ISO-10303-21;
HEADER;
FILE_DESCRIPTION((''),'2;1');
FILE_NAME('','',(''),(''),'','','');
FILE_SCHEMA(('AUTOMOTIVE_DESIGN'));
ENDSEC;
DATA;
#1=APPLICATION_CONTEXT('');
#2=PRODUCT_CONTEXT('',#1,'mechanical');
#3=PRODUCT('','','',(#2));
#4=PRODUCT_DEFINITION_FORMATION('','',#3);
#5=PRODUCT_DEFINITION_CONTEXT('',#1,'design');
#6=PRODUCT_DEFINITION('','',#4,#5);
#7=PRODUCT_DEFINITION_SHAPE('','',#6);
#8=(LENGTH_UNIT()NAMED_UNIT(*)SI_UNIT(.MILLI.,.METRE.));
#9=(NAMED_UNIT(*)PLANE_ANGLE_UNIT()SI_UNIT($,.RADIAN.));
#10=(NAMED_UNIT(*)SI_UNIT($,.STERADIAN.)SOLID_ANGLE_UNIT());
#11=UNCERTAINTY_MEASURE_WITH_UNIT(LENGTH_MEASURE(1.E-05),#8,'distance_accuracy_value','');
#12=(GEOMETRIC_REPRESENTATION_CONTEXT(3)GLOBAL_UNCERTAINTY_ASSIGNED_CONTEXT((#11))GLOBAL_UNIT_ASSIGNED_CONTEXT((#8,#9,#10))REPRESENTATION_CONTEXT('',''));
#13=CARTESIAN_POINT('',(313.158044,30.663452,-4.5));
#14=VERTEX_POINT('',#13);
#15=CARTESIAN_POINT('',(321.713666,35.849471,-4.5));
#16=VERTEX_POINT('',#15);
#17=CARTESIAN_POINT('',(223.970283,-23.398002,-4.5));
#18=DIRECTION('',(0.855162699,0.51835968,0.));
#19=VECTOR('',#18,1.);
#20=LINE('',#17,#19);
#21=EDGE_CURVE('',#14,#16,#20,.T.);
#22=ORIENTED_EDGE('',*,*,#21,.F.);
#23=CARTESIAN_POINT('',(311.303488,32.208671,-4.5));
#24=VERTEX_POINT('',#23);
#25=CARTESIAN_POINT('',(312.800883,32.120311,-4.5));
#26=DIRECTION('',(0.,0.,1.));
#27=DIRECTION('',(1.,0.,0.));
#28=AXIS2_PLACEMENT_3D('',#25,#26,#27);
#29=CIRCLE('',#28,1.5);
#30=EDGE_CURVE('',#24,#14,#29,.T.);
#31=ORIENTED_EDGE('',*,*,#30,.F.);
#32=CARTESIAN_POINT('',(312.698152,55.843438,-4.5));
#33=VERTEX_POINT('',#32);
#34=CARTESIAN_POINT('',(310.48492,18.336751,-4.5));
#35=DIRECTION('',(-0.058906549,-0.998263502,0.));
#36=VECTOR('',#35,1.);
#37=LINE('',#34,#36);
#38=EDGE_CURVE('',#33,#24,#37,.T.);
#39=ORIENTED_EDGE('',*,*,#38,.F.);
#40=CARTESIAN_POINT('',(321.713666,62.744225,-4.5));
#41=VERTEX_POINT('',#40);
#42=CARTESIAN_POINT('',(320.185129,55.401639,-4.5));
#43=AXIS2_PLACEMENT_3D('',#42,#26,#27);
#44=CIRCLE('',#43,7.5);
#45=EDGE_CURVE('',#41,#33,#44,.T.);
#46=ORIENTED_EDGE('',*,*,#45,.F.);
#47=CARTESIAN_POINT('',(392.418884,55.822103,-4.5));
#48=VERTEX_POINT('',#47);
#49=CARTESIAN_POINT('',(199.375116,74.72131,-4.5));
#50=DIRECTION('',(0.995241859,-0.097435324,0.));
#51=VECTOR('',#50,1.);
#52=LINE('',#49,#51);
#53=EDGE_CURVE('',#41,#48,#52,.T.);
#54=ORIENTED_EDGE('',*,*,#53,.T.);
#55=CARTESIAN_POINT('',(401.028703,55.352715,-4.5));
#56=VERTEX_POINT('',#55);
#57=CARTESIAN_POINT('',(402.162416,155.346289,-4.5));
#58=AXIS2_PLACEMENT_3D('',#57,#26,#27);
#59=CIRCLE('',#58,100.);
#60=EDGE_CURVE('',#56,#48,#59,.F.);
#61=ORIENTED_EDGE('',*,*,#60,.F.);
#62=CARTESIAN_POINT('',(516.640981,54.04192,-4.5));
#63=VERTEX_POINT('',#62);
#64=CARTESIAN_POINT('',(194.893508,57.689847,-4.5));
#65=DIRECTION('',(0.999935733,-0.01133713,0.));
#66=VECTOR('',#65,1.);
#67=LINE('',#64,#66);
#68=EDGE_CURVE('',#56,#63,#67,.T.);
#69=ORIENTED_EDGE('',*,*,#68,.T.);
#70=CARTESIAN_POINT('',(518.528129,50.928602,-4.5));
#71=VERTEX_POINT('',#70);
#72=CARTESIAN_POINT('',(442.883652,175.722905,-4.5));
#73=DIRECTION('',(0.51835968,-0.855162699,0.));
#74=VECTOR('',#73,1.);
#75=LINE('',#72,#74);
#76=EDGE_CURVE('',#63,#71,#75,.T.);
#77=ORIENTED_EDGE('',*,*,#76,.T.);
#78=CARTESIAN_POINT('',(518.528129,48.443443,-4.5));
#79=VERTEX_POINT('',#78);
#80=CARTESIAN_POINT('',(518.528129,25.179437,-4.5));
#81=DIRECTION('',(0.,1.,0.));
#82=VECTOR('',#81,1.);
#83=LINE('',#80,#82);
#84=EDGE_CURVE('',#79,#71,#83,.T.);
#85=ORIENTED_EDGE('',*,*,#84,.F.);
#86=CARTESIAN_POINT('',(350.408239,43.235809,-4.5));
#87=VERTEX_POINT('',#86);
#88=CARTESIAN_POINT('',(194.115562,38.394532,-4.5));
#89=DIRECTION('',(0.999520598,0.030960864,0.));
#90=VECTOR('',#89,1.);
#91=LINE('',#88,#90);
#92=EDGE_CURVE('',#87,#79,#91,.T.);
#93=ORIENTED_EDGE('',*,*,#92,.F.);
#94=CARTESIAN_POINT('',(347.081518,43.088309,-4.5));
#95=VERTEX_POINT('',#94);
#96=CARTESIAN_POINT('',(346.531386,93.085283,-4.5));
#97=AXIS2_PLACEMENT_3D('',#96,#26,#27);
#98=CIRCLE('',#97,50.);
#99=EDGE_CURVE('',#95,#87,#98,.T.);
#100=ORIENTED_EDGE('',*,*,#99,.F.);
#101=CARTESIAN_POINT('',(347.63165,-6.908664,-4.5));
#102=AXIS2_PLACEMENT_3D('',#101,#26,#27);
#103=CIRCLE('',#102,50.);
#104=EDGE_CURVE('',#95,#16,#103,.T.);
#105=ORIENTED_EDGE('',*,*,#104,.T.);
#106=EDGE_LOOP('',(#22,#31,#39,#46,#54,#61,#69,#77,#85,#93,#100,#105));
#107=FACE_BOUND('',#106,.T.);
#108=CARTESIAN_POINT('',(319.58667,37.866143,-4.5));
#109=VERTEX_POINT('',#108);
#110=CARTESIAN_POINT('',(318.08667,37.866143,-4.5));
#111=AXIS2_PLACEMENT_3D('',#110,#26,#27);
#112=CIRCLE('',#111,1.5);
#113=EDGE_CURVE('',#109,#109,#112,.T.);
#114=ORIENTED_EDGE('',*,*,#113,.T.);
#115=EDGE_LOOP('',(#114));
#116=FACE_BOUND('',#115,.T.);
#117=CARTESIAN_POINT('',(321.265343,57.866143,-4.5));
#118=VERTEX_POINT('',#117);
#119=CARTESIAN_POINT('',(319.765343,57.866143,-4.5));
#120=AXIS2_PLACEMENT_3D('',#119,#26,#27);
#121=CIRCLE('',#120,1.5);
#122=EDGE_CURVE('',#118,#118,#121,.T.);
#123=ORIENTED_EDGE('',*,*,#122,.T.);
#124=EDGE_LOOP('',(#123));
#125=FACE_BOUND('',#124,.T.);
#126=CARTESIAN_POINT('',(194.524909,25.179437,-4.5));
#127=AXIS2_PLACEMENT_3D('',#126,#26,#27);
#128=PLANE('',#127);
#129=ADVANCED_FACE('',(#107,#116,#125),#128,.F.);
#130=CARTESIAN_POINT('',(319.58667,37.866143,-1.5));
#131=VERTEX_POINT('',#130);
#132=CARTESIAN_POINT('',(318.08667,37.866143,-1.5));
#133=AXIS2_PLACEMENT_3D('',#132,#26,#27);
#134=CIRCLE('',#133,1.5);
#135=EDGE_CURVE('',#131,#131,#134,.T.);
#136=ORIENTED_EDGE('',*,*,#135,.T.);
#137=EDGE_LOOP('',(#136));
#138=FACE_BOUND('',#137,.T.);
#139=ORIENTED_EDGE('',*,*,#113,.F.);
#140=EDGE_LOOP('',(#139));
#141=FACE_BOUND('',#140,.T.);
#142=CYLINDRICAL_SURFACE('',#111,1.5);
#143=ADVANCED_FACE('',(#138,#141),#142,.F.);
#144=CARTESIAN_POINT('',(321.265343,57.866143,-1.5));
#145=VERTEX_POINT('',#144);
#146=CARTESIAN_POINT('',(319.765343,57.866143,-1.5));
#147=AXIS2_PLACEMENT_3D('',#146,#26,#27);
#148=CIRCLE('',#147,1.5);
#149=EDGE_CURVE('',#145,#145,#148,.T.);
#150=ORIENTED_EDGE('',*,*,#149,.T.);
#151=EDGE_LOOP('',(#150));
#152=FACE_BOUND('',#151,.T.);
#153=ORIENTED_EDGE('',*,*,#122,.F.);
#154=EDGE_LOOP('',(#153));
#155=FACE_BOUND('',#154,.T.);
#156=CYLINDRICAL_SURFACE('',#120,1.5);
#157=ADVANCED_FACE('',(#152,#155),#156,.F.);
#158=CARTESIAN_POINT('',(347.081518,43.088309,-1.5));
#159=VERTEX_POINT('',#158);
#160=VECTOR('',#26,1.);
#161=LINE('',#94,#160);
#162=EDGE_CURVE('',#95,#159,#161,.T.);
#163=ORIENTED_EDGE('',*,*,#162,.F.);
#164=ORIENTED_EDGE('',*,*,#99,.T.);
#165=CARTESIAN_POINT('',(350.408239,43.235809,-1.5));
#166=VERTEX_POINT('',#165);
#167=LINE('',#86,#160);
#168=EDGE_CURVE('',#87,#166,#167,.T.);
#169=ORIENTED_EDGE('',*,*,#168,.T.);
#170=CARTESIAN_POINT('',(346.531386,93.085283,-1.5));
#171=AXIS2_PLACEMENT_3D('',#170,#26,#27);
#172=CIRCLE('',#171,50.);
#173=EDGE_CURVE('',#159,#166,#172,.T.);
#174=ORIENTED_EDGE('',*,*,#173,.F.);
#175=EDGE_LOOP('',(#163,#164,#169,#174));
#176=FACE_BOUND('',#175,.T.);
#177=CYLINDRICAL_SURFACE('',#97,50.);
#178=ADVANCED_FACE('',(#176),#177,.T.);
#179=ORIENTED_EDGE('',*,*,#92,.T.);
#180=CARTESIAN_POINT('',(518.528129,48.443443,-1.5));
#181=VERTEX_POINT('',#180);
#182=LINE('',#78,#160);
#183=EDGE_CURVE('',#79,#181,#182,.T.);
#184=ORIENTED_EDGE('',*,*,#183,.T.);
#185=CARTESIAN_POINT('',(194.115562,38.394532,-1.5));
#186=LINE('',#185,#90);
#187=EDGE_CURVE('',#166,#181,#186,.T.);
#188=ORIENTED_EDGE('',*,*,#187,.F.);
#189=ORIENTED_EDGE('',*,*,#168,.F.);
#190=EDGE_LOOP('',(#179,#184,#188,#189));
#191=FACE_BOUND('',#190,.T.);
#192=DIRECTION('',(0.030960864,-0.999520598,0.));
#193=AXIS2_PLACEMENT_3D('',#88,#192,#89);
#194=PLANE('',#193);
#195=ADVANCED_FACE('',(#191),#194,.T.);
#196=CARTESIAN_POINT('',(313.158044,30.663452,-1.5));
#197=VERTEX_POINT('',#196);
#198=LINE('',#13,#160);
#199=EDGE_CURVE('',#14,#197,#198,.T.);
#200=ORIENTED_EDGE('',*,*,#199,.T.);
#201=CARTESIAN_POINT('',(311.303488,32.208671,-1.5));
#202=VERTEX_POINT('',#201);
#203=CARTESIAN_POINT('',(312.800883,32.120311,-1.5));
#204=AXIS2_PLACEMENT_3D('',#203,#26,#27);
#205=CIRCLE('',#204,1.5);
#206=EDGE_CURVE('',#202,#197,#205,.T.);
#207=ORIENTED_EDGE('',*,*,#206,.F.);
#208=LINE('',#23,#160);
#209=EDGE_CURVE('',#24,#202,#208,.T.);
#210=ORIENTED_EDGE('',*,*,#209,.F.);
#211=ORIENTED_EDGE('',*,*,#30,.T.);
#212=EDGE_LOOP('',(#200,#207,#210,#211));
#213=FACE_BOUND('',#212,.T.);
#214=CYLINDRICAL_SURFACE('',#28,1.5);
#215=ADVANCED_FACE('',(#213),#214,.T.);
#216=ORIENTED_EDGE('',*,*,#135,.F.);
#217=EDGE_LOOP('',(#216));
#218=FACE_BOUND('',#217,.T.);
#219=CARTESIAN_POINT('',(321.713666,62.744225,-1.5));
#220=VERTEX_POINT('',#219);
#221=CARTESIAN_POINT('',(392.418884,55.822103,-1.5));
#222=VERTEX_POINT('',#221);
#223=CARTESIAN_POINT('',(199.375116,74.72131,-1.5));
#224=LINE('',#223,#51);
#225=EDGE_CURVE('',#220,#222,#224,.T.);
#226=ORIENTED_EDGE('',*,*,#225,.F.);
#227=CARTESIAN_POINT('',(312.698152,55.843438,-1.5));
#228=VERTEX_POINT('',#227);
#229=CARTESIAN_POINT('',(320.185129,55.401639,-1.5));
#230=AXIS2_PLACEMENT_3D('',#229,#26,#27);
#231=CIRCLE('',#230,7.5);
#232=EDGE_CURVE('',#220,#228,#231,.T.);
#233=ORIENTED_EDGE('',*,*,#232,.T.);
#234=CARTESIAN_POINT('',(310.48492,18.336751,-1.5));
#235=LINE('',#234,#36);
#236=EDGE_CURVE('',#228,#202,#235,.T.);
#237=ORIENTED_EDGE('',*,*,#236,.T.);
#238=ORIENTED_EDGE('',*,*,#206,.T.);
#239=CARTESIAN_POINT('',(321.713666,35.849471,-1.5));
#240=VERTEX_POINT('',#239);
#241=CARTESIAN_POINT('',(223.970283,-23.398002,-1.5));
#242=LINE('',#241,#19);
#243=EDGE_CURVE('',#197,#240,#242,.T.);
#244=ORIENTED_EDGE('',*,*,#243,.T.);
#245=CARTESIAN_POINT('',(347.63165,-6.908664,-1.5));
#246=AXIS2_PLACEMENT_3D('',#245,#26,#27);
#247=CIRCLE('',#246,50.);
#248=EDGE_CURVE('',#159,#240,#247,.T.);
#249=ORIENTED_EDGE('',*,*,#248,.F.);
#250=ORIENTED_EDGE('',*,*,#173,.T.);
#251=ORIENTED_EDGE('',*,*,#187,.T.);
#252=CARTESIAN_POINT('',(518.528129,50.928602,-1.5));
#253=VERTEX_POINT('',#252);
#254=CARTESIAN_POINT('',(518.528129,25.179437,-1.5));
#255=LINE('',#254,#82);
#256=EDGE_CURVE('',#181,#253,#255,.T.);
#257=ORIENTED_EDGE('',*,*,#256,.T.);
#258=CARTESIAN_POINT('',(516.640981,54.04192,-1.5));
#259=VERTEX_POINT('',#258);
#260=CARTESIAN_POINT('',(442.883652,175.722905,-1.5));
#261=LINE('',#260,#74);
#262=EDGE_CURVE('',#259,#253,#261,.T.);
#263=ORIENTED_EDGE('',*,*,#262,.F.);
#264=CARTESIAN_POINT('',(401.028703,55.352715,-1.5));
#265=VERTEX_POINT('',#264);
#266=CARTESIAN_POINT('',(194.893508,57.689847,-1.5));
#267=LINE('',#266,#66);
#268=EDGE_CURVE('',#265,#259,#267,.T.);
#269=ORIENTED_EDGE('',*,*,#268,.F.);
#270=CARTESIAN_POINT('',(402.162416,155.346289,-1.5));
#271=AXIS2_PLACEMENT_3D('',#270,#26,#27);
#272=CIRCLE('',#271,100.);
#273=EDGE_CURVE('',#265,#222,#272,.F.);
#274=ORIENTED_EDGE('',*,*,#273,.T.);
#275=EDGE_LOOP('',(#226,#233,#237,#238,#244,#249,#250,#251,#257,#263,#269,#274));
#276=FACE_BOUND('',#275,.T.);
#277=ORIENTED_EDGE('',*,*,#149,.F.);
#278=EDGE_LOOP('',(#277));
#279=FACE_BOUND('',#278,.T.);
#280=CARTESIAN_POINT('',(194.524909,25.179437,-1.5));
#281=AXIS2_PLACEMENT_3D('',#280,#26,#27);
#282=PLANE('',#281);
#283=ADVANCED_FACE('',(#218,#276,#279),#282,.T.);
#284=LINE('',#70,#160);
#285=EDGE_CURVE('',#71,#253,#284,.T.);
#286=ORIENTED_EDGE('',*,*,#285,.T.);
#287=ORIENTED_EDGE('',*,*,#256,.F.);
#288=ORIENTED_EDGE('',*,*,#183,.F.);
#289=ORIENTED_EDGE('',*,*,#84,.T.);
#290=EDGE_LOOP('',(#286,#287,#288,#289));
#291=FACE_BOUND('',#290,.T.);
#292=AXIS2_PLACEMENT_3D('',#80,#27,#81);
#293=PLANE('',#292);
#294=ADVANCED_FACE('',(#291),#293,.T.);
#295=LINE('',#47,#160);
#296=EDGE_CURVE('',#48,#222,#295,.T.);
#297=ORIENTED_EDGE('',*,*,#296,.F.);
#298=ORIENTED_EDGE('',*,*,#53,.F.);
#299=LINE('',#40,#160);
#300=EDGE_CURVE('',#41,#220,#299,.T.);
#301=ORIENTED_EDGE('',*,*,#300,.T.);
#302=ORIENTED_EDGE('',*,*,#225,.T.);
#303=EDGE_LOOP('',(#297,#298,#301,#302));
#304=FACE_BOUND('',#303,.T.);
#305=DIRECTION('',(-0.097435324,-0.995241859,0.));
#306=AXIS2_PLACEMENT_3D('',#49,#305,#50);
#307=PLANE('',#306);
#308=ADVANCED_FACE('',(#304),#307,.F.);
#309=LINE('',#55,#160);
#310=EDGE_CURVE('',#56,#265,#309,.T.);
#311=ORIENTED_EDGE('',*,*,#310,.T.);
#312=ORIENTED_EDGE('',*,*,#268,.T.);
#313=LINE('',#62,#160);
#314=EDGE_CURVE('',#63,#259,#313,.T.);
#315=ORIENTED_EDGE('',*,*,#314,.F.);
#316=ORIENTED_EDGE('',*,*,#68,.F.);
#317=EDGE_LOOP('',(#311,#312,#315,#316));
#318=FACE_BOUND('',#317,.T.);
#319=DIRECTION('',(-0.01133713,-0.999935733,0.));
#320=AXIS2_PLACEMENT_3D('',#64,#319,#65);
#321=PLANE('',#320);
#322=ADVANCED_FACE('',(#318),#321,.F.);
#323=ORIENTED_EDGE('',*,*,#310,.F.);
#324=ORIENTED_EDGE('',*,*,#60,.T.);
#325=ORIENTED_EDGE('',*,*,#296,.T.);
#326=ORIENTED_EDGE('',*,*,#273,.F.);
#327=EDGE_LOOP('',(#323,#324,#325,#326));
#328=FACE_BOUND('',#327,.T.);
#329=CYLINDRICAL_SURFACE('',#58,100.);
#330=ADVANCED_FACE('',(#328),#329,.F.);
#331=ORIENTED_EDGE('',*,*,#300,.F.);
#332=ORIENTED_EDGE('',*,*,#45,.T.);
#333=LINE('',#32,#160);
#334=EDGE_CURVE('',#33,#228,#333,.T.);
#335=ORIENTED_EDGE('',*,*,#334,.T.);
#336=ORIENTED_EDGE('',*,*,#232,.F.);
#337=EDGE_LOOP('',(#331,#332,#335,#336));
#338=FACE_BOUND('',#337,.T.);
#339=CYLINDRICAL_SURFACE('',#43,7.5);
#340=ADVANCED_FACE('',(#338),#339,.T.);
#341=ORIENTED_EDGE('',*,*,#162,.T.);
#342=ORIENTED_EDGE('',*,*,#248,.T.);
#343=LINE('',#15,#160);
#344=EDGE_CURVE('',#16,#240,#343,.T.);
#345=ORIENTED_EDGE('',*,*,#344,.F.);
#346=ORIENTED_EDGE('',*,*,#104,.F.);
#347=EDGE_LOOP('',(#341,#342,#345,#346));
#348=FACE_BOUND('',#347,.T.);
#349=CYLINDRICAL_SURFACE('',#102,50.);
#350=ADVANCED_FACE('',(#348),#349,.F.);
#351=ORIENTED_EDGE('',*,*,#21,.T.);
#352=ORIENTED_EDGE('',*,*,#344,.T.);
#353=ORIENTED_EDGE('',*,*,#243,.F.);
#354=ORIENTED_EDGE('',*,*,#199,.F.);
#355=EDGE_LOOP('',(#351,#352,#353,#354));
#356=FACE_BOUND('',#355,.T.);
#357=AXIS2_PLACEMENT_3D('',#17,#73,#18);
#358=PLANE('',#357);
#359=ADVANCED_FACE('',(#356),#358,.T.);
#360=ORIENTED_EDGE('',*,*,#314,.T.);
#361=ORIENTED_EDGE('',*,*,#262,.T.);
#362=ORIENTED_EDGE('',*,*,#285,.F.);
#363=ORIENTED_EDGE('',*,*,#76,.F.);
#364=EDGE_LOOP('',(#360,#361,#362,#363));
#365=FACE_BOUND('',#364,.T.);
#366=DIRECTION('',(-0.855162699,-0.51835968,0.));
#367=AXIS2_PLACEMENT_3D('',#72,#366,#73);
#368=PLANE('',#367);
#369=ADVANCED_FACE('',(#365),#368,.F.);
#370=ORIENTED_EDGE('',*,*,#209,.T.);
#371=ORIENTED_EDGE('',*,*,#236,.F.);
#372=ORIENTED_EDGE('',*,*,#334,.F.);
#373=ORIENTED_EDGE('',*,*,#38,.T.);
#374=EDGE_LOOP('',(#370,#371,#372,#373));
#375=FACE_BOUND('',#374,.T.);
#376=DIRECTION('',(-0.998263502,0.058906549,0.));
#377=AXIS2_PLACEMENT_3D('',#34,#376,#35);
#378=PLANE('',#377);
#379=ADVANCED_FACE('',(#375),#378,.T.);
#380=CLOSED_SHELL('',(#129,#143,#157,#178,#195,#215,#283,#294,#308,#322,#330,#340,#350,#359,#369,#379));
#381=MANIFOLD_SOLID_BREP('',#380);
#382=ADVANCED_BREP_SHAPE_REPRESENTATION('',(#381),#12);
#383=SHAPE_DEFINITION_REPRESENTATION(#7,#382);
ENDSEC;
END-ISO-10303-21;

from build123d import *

# Parameters (mm, degrees)
SKETCH1_R           = 3
BOSS_EXTRUDE3_DEPTH = 6
SCALE1_SCALE        = 0.5


with BuildPart() as part:
    # Sketch1 → Boss-Extrude3 (new body)
    with BuildSketch(Plane.XY):
        with BuildLine():
            Line((236.346486318, 61.328001261), (233.557157529, 14.05846688))
            ThreePointArc((233.557157529, 14.05846688), (234.631574503, 11.576933684), (237.266269116, 10.968030468))
            Line((237.266269116, 10.968030468), (254.377513225, 21.340067299))
            ThreePointArc((254.377513225, 21.340067299), (278.773329443, 31.985318101), (305.113217886, 35.817744276))
            ThreePointArc((305.113217886, 35.817744276), (308.442395565, 35.909839099), (311.76666015, 36.112744111))
            Line((311.76666015, 36.112744111), (648.006438707, 46.528011178))
            Line((648.006438707, 46.528011178), (648.006438707, 51.498330229))
            Line((648.006438707, 51.498330229), (644.232143491, 57.724965154))
            Line((644.232143491, 57.724965154), (413.007588136, 60.346556463))
            ThreePointArc((413.007588136, 60.346556463), (404.387645707, 60.630259841), (395.787949399, 61.285331218))
            Line((395.787949399, 61.285331218), (254.377513225, 75.129575697))
            ThreePointArc((254.377513225, 75.129575697), (242.203210075, 72.35558012), (236.346486318, 61.328001261))
        make_face()
        with Locations((250.480867538, 65.373411048)):
            Circle(SKETCH1_R, mode=Mode.SUBTRACT)
        with Locations((247.123521652, 25.373411048)):
            Circle(SKETCH1_R, mode=Mode.SUBTRACT)
    extrude(amount=-BOSS_EXTRUDE3_DEPTH)


with BuildPart() as part_1:
    # Scale1: scaled about (389.049818366, 50.358874463, -3)
    add(part.part.scale(SCALE1_SCALE).moved(Location((194.524909183, 25.179437231, -1.5))))


solid = part_1.part
